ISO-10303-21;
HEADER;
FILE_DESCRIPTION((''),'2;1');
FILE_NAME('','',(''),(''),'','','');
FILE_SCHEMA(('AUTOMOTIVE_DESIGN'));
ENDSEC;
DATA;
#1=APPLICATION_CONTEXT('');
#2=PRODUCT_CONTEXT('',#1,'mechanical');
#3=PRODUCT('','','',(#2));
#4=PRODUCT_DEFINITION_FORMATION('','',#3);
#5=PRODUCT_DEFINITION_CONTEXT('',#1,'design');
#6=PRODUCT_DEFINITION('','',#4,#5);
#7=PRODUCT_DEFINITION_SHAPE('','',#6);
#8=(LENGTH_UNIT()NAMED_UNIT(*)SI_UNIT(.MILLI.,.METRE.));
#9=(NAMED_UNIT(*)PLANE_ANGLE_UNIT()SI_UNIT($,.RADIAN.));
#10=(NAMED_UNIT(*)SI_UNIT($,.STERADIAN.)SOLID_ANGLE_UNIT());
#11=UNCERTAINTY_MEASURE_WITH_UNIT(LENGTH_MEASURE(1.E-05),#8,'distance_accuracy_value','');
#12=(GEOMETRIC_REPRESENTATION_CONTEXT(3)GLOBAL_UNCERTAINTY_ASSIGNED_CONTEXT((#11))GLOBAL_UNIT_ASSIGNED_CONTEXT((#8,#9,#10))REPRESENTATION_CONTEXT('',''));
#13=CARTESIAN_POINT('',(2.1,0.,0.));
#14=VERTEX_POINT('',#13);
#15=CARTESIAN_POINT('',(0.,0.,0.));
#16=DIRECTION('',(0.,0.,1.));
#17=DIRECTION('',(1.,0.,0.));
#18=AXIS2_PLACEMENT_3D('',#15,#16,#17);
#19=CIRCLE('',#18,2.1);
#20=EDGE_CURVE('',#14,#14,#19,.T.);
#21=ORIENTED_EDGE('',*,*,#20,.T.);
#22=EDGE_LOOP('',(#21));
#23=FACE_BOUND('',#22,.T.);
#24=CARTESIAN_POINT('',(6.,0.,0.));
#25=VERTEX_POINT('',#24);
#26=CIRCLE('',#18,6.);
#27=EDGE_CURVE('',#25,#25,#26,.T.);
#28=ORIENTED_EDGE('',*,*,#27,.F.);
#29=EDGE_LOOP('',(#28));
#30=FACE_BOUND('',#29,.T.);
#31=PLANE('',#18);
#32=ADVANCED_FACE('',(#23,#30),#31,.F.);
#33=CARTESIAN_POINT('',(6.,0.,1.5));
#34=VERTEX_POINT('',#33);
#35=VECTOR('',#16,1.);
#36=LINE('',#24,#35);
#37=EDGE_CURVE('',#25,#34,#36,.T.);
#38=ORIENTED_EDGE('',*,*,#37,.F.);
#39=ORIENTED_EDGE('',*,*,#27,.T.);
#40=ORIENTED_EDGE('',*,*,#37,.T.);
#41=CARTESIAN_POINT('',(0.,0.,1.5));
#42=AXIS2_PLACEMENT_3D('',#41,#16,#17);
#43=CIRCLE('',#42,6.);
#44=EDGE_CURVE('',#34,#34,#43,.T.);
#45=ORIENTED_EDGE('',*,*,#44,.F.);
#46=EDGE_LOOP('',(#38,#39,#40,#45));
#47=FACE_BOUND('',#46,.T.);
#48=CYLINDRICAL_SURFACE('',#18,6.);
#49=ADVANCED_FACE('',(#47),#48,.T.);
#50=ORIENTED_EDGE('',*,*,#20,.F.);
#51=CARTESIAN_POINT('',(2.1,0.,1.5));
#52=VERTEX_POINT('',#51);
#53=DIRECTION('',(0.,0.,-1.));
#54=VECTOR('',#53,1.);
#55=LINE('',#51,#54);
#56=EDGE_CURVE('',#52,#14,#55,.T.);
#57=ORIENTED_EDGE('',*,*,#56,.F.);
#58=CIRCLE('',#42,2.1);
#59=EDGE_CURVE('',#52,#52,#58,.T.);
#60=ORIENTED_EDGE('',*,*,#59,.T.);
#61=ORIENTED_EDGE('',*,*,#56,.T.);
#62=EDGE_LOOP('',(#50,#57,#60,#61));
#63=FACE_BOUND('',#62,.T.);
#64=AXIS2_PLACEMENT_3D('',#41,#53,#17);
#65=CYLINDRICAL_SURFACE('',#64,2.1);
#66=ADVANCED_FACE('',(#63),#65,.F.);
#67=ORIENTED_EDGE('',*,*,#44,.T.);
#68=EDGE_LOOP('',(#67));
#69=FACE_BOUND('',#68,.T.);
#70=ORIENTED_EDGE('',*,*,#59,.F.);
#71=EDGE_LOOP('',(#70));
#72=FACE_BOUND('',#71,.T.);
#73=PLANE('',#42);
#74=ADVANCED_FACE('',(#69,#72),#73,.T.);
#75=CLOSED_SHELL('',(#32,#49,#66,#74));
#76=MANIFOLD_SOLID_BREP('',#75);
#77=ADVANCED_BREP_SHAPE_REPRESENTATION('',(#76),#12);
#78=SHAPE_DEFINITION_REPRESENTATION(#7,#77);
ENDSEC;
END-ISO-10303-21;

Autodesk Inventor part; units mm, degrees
ref_plane "YZ Plane" through (0, 0, 0) normal (1, 0, 0) x (0, 1, 0)
ref_plane "XZ Plane" through (0, 0, 0) normal (0, 1, 0) x (-1, 0, 0)
ref_plane "XY Plane" through (0, 0, 0) normal (0, 0, 1) x (1, 0, 0)
sketch "Sketch1" plane through (0, 0, 0) normal (0, 1, 0) x (-1, 0, 0)
  line L0 (0, 0) -> (0, 1.5)
  line L1 (-2.1, 1.5) -> (-2.1, 0)
  line L2 (-2.1, 0) -> (-6, 0)
  line L3 (-6, 0) -> (-6, 1.5)
  line L4 (-6, 1.5) -> (-2.1, 1.5)
  dimension "InsideDiameter" = 4.2
  dimension "OuterDiameter" = 12
  dimension "Thickness" = 1.5
revolve "Revolution1" add sketch "Sketch1" angle 360 about axis through (0, 0, 0) along (0, 0, 1)
properties part number "UUW-0412-15H" material "Stainless Steel AISI 304"
